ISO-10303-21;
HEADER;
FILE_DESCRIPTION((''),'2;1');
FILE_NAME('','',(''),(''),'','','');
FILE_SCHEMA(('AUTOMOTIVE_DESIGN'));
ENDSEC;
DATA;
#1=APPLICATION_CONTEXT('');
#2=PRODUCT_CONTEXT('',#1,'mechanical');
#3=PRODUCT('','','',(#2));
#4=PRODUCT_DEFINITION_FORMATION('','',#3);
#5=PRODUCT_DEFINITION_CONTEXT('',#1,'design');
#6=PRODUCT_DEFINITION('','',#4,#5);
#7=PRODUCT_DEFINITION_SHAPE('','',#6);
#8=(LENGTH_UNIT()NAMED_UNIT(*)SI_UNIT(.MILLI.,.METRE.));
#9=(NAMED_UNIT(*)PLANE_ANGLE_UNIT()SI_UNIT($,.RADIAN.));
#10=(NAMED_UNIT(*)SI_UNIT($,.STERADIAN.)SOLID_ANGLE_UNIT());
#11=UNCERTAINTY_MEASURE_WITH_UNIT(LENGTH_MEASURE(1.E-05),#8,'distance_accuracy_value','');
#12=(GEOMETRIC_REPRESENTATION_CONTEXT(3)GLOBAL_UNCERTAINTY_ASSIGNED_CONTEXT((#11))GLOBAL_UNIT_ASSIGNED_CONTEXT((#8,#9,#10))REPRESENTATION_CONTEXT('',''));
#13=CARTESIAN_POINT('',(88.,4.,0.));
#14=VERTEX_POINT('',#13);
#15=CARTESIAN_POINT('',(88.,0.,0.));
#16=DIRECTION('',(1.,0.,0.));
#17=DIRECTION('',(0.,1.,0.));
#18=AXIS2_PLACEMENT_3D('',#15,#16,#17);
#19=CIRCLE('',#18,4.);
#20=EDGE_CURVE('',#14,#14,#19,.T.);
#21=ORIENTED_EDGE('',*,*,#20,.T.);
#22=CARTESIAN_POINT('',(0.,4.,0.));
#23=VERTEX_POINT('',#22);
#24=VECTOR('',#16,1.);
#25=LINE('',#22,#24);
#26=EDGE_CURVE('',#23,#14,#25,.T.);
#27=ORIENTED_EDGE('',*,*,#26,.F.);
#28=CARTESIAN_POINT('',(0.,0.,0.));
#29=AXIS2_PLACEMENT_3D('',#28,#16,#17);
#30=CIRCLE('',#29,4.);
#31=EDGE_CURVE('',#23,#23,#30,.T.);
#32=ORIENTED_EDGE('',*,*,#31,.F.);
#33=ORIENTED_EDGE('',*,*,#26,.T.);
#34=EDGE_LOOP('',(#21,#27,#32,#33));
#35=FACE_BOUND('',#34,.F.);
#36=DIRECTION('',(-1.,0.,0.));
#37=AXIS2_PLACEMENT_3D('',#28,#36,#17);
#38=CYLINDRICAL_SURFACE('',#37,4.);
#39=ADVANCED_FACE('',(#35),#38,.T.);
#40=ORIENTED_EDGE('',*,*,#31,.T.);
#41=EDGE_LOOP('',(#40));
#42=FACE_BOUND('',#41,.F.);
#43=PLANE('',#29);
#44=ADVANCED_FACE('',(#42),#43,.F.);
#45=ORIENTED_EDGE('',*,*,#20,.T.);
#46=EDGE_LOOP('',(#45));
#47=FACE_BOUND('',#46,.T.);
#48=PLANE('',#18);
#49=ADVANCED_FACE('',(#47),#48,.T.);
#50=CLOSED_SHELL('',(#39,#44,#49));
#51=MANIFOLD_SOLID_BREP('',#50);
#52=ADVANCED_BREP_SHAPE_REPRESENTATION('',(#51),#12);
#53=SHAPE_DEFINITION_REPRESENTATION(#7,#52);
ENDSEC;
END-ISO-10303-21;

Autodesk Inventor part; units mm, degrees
ref_plane "YZ Plane" through (0, 0, 0) normal (1, 0, 0) x (0, 1, 0)
ref_plane "XZ Plane" through (0, 0, 0) normal (0, 1, 0) x (-1, 0, 0)
ref_plane "XY Plane" through (0, 0, 0) normal (0, 0, 1) x (1, 0, 0)
sketch "Sketch1" plane through (0, 0, 0) normal (1, 0, 0) x (0, 1, 0)
  circle A0 centre (0, 0) radius 4
  dimension "d0" = 8
extrude "Extrusion1" add sketch "Sketch1" along normal blind 88
ref_plane "Work Plane1" through (44, 0, 0) normal (1, 0, 0) x (0, 0, -1)
properties part number "8x88_cylinder" material "Stainless Steel"
